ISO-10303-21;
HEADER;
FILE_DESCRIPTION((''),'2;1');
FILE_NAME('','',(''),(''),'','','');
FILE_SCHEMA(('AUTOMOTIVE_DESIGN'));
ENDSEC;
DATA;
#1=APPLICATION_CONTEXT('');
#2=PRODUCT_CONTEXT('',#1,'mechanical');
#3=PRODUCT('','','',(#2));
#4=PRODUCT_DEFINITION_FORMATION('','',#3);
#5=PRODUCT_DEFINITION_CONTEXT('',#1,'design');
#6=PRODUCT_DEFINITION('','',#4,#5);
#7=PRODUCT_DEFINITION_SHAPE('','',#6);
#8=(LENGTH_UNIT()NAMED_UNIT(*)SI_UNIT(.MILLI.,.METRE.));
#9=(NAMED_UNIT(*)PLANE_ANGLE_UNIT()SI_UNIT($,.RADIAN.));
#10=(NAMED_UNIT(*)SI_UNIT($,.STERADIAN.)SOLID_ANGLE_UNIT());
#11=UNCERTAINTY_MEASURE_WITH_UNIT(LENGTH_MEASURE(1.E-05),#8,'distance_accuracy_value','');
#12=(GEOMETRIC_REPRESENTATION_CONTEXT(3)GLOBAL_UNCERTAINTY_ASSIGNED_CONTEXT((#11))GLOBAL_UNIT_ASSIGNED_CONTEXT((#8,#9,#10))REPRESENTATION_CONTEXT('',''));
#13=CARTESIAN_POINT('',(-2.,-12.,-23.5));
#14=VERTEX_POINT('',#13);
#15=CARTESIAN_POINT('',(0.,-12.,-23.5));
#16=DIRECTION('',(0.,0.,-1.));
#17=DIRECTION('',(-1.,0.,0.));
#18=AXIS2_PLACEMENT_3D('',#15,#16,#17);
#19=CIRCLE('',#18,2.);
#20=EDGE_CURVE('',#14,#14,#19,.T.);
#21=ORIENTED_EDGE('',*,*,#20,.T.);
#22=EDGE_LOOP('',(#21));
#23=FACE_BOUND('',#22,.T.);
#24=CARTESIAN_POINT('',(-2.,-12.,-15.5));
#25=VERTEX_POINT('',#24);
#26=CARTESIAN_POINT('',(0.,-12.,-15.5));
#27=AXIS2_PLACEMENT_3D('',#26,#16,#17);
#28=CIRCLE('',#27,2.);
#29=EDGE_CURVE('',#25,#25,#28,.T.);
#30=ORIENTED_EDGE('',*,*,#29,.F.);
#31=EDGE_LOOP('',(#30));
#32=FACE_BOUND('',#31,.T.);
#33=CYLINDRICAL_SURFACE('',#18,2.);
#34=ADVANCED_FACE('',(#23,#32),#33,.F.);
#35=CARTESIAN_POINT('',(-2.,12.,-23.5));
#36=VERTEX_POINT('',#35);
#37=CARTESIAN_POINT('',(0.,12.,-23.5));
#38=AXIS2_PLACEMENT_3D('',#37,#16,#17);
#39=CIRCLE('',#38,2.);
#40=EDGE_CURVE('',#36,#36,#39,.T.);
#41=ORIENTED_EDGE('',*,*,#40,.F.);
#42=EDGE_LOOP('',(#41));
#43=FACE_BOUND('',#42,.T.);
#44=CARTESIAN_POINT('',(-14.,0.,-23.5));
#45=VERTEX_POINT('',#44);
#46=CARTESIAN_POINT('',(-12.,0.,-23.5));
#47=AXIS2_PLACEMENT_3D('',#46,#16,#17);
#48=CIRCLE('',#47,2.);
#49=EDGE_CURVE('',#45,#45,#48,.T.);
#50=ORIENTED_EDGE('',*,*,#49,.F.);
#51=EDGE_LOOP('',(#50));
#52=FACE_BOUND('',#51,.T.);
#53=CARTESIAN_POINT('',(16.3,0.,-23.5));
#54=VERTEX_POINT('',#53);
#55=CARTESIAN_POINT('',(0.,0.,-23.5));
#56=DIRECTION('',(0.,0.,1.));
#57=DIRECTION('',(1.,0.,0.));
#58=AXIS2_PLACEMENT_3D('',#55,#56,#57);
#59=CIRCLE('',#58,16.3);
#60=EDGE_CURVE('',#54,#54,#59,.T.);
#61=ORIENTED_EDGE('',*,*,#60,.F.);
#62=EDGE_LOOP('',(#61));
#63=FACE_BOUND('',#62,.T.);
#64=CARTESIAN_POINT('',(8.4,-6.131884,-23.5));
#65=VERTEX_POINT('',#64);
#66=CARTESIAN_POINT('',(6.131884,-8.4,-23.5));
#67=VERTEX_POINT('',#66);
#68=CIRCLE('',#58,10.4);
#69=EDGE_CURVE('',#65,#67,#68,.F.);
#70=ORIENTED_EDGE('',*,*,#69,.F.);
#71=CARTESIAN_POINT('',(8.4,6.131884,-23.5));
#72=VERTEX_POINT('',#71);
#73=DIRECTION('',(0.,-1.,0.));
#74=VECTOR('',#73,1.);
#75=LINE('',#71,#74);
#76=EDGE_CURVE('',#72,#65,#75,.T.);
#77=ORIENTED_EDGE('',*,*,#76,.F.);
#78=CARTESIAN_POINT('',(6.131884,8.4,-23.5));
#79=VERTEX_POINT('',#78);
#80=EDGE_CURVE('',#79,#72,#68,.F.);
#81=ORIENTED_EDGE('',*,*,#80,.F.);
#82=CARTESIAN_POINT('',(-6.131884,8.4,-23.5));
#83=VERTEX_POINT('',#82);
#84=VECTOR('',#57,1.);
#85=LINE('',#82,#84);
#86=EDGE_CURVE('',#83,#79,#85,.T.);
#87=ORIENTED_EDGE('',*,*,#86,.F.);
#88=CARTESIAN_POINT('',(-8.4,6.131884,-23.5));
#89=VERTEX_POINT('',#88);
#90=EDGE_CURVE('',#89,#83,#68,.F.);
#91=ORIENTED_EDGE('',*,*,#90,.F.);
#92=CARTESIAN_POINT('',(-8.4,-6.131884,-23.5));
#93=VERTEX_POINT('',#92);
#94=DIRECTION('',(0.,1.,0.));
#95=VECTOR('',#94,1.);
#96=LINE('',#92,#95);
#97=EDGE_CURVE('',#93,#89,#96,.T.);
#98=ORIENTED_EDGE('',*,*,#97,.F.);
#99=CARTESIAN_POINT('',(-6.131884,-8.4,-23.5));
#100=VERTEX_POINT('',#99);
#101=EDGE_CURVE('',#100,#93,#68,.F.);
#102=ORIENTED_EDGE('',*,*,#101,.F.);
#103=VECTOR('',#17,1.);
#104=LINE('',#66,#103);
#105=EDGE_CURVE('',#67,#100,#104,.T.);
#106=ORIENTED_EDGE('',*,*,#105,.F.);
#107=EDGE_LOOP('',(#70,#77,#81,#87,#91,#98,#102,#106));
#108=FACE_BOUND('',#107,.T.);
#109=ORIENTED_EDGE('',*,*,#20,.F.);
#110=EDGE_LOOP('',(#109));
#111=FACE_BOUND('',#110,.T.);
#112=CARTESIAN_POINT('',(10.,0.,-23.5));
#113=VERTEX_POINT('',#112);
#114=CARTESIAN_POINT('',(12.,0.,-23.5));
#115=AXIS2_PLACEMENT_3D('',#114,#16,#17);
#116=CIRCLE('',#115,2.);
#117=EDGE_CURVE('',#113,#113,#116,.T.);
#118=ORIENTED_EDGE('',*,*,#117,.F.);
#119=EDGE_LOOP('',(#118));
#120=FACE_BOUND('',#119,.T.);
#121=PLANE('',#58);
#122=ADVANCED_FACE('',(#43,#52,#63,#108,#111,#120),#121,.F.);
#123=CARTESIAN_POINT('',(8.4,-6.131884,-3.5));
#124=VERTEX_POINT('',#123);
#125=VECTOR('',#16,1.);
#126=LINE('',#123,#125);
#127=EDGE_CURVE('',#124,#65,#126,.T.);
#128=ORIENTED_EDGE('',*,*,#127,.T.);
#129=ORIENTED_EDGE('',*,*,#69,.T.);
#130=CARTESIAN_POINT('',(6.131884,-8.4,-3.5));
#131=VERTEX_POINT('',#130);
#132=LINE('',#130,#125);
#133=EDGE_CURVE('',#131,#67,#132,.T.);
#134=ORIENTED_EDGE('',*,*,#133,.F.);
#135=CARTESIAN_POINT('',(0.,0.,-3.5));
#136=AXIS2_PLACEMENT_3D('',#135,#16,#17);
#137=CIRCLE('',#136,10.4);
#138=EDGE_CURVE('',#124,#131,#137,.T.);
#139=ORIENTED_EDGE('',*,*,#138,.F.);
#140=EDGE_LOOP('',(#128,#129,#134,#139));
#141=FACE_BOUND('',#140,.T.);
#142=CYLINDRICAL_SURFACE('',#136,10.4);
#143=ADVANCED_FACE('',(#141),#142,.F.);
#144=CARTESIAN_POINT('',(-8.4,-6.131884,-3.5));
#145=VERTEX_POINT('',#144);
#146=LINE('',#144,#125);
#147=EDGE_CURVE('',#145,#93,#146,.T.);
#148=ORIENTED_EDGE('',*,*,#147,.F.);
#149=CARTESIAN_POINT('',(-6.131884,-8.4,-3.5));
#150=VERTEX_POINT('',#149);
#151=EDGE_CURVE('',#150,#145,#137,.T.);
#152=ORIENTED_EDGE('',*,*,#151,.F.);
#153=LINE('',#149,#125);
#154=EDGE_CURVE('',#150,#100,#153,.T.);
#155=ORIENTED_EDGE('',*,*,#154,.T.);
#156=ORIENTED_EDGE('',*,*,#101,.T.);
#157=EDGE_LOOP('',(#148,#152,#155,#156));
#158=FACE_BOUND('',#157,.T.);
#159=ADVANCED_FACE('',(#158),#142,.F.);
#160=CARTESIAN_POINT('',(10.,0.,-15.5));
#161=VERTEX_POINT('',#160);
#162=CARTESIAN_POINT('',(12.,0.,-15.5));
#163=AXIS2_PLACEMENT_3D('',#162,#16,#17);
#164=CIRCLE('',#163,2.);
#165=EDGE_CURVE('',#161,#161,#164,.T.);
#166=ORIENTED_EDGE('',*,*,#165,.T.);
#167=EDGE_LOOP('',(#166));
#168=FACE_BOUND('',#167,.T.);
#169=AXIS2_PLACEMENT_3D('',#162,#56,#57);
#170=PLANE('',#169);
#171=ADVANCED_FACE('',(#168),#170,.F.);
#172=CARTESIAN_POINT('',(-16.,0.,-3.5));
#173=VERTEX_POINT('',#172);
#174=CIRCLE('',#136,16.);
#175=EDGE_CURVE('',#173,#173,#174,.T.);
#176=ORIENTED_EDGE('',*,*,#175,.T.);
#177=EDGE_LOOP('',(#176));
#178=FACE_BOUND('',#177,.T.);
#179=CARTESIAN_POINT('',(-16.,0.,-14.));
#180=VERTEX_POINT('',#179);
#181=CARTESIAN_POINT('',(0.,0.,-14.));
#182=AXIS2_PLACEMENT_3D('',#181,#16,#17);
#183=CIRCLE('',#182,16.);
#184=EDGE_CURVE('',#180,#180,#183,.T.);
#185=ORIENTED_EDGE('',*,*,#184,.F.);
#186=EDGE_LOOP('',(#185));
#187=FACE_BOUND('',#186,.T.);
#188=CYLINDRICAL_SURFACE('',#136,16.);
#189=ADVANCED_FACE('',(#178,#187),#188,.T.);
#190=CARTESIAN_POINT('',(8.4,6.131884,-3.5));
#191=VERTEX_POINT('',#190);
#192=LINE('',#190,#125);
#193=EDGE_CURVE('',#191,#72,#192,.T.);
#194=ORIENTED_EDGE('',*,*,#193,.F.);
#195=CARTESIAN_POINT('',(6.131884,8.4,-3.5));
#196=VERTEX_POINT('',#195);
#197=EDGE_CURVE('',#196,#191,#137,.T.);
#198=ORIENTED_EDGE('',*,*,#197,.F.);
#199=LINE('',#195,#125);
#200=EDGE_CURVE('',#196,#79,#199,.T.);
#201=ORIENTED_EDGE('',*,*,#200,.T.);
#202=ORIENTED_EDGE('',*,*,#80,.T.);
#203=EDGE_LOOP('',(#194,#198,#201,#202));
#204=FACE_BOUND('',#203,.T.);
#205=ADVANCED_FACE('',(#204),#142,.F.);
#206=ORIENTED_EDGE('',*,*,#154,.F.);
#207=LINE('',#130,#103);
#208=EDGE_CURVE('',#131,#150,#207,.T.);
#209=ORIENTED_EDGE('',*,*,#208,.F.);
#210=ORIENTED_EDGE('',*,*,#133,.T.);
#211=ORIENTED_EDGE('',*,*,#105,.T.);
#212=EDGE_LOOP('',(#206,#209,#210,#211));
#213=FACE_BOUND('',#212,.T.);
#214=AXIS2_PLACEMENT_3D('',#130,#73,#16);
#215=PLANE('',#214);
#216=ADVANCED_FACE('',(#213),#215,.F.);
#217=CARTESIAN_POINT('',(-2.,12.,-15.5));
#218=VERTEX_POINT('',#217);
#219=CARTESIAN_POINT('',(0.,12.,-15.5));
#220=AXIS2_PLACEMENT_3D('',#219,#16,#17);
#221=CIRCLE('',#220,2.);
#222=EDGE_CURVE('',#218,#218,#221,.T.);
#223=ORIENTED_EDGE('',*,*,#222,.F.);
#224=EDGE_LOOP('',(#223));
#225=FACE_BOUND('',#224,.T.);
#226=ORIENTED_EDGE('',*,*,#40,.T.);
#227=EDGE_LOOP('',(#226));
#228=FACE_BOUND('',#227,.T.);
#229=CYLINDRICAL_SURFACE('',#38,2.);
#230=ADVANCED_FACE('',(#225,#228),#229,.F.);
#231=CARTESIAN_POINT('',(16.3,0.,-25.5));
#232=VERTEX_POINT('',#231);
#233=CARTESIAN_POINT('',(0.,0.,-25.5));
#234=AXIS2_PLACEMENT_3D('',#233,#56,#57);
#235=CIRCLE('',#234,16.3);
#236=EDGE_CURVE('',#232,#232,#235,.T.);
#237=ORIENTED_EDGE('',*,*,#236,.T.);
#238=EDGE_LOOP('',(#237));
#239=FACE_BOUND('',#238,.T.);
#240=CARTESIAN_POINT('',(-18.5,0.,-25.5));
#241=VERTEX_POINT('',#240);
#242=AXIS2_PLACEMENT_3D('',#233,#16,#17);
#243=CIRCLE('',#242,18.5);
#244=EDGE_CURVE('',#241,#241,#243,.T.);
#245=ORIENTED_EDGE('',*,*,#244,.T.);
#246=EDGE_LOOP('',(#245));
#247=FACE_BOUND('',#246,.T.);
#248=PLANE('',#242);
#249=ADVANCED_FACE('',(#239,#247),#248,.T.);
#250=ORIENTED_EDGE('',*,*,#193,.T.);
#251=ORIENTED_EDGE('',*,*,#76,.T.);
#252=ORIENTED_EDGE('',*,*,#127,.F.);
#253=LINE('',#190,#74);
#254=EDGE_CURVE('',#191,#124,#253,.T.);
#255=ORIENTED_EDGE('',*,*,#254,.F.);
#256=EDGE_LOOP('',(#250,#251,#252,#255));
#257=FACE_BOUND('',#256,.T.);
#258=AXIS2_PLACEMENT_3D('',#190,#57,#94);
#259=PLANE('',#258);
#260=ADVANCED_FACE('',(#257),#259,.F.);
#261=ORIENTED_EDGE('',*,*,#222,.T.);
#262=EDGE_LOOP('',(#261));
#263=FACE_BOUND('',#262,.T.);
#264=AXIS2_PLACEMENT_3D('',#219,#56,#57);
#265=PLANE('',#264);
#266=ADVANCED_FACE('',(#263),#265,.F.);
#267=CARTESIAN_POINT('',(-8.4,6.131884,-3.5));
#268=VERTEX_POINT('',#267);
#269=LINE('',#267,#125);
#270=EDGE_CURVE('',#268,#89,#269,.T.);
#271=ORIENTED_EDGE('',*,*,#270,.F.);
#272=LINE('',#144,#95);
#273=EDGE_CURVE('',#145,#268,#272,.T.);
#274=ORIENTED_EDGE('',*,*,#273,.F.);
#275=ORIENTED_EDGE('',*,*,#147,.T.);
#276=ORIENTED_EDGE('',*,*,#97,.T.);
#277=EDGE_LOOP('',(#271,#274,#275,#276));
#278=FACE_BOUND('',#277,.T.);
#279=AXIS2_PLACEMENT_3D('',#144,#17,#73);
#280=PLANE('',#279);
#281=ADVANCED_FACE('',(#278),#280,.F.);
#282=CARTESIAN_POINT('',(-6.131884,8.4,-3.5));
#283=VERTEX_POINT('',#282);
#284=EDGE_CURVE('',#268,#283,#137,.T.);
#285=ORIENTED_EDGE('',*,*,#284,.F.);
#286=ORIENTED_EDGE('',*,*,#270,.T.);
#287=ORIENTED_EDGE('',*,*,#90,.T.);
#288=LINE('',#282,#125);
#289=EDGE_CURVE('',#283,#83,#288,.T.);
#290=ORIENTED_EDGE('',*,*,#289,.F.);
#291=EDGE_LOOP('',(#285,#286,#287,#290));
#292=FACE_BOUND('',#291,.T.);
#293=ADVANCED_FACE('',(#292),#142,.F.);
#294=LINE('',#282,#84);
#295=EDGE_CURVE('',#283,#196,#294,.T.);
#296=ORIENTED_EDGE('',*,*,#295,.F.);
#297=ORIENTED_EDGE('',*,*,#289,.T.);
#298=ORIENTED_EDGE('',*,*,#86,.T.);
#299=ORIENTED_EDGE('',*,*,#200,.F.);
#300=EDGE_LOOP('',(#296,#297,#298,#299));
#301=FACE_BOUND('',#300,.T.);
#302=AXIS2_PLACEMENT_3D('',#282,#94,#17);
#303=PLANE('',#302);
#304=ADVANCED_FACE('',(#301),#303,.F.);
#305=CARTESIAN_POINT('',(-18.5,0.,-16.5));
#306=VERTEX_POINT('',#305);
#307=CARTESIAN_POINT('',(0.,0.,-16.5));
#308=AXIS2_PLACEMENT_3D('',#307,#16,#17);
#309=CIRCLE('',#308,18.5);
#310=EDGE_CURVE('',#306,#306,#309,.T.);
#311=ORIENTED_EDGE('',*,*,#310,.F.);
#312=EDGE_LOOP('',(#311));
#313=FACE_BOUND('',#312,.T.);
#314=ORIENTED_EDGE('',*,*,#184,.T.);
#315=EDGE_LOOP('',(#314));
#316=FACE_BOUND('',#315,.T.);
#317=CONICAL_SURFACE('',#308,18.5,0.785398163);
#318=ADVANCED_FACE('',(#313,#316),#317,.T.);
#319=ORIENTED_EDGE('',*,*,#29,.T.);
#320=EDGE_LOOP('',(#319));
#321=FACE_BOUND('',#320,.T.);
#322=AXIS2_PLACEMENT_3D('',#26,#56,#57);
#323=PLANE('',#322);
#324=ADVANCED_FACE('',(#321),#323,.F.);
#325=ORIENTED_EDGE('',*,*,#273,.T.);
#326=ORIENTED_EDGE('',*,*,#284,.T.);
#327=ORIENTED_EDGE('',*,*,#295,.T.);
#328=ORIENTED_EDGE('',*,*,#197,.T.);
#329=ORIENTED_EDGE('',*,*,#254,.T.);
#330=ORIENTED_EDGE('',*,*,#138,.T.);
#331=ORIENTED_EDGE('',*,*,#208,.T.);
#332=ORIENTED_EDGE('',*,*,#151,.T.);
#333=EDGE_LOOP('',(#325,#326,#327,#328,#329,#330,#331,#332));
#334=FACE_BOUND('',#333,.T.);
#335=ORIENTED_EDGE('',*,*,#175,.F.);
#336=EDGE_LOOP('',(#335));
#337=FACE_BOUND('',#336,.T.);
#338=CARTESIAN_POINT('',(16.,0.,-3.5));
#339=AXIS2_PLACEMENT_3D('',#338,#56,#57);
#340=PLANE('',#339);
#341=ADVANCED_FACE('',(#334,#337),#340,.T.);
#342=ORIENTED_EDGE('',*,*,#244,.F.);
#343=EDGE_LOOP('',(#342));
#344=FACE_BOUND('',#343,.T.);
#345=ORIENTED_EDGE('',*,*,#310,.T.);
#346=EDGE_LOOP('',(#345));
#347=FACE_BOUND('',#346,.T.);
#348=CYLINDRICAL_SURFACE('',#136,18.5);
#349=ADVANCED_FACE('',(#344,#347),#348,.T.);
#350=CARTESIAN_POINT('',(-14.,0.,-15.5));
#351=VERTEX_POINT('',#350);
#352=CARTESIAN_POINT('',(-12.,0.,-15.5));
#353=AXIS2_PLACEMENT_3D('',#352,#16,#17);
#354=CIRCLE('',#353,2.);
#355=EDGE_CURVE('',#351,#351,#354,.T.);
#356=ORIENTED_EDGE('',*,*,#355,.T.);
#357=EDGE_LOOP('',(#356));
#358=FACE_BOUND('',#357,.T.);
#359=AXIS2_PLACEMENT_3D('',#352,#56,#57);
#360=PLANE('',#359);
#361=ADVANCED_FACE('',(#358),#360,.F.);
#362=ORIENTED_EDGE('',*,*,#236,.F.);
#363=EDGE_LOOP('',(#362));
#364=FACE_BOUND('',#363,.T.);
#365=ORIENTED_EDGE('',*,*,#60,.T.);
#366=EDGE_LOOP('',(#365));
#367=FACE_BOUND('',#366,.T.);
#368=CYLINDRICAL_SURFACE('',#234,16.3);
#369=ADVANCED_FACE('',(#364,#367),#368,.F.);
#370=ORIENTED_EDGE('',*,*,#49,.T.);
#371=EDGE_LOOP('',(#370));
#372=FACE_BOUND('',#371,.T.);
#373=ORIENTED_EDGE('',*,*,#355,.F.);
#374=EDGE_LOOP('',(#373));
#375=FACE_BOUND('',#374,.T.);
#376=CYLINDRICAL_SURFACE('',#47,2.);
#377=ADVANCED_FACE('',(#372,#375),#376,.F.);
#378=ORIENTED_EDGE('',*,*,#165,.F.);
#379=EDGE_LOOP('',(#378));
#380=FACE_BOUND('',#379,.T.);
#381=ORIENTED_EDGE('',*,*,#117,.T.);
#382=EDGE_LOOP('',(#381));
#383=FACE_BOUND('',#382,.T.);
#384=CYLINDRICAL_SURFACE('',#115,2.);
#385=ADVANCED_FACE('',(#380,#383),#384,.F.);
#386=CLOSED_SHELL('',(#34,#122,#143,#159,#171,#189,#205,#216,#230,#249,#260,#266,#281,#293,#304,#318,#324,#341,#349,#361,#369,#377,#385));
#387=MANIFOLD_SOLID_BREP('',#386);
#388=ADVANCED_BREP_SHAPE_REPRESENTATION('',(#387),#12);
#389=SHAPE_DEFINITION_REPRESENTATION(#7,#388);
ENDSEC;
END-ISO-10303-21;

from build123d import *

# Parameters (mm, degrees)
TAGLIO_ESTRUSIONE1_DEPTH = 35.18332927
SCHIZZO3_W               = 16.3
SCHIZZO3_H               = 2
FORO_4_0_4_1_D           = 4.00000006
FORO_4_0_4_1_DEPTH       = 8


with BuildPart() as part:
    # Schizzo1 → Rivoluzione1 (revolve)
    with BuildSketch(Plane.XZ, mode=Mode.PRIVATE) as rivoluzione1_sk:
        Polygon((16, -3.5), (0, -3.5), (0, -25.5), (18.5, -25.5), (18.5, -16.5), (16, -14), align=None)
    revolve(rivoluzione1_sk.sketch.rotate(Axis((0, 0, -3.5), (0, 0, -1)), 180), axis=Axis((0, 0, -3.5), (0, 0, -1)))

    # Schizzo2 → Taglio-Estrusione1 (cut, through all)
    with BuildSketch(Plane(origin=(0, 0, -25.5), x_dir=(-1, 0, 0), z_dir=(0, 0, -1))):
        with BuildLine():
            Line((8.4, -6.131883887), (8.4, 6.131883887))
            ThreePointArc((8.4, 6.131883887), (7.353910524, 7.353910524), (6.131883887, 8.4))
            Line((6.131883887, 8.4), (-6.131883887, 8.4))
            ThreePointArc((-6.131883887, 8.4), (-7.353910524, 7.353910524), (-8.4, 6.131883887))
            Line((-8.4, 6.131883887), (-8.4, -6.131883887))
            ThreePointArc((-8.4, -6.131883887), (-7.353910524, -7.353910524), (-6.131883887, -8.4))
            Line((-6.131883887, -8.4), (6.131883887, -8.4))
            ThreePointArc((6.131883887, -8.4), (7.353910524, -7.353910524), (8.4, -6.131883887))
        make_face()
    extrude(amount=-TAGLIO_ESTRUSIONE1_DEPTH, mode=Mode.SUBTRACT)

    # Schizzo3 → Taglia-Rivoluzione1 (revolve, cut)
    with BuildSketch(Plane(origin=(0, 0, 0), x_dir=(1, 0, 0), z_dir=(0, 1, 0))):
        with Locations((8.15, 24.5)):
            Rectangle(SCHIZZO3_W, SCHIZZO3_H)
    revolve(axis=Axis((0, 0, -25.5), (0, 0, 1)), mode=Mode.SUBTRACT)

    # Foro Ø4.0 (4)-1
    with Locations(Plane(origin=(0, 0, -23.5), x_dir=(-1, 0, 0), z_dir=(0, 0, -1))):
        with Locations((-12, 0), (0, -12), (12, 0), (0, 12)):
            Hole(FORO_4_0_4_1_D / 2, depth=FORO_4_0_4_1_DEPTH)


solid = part.part
